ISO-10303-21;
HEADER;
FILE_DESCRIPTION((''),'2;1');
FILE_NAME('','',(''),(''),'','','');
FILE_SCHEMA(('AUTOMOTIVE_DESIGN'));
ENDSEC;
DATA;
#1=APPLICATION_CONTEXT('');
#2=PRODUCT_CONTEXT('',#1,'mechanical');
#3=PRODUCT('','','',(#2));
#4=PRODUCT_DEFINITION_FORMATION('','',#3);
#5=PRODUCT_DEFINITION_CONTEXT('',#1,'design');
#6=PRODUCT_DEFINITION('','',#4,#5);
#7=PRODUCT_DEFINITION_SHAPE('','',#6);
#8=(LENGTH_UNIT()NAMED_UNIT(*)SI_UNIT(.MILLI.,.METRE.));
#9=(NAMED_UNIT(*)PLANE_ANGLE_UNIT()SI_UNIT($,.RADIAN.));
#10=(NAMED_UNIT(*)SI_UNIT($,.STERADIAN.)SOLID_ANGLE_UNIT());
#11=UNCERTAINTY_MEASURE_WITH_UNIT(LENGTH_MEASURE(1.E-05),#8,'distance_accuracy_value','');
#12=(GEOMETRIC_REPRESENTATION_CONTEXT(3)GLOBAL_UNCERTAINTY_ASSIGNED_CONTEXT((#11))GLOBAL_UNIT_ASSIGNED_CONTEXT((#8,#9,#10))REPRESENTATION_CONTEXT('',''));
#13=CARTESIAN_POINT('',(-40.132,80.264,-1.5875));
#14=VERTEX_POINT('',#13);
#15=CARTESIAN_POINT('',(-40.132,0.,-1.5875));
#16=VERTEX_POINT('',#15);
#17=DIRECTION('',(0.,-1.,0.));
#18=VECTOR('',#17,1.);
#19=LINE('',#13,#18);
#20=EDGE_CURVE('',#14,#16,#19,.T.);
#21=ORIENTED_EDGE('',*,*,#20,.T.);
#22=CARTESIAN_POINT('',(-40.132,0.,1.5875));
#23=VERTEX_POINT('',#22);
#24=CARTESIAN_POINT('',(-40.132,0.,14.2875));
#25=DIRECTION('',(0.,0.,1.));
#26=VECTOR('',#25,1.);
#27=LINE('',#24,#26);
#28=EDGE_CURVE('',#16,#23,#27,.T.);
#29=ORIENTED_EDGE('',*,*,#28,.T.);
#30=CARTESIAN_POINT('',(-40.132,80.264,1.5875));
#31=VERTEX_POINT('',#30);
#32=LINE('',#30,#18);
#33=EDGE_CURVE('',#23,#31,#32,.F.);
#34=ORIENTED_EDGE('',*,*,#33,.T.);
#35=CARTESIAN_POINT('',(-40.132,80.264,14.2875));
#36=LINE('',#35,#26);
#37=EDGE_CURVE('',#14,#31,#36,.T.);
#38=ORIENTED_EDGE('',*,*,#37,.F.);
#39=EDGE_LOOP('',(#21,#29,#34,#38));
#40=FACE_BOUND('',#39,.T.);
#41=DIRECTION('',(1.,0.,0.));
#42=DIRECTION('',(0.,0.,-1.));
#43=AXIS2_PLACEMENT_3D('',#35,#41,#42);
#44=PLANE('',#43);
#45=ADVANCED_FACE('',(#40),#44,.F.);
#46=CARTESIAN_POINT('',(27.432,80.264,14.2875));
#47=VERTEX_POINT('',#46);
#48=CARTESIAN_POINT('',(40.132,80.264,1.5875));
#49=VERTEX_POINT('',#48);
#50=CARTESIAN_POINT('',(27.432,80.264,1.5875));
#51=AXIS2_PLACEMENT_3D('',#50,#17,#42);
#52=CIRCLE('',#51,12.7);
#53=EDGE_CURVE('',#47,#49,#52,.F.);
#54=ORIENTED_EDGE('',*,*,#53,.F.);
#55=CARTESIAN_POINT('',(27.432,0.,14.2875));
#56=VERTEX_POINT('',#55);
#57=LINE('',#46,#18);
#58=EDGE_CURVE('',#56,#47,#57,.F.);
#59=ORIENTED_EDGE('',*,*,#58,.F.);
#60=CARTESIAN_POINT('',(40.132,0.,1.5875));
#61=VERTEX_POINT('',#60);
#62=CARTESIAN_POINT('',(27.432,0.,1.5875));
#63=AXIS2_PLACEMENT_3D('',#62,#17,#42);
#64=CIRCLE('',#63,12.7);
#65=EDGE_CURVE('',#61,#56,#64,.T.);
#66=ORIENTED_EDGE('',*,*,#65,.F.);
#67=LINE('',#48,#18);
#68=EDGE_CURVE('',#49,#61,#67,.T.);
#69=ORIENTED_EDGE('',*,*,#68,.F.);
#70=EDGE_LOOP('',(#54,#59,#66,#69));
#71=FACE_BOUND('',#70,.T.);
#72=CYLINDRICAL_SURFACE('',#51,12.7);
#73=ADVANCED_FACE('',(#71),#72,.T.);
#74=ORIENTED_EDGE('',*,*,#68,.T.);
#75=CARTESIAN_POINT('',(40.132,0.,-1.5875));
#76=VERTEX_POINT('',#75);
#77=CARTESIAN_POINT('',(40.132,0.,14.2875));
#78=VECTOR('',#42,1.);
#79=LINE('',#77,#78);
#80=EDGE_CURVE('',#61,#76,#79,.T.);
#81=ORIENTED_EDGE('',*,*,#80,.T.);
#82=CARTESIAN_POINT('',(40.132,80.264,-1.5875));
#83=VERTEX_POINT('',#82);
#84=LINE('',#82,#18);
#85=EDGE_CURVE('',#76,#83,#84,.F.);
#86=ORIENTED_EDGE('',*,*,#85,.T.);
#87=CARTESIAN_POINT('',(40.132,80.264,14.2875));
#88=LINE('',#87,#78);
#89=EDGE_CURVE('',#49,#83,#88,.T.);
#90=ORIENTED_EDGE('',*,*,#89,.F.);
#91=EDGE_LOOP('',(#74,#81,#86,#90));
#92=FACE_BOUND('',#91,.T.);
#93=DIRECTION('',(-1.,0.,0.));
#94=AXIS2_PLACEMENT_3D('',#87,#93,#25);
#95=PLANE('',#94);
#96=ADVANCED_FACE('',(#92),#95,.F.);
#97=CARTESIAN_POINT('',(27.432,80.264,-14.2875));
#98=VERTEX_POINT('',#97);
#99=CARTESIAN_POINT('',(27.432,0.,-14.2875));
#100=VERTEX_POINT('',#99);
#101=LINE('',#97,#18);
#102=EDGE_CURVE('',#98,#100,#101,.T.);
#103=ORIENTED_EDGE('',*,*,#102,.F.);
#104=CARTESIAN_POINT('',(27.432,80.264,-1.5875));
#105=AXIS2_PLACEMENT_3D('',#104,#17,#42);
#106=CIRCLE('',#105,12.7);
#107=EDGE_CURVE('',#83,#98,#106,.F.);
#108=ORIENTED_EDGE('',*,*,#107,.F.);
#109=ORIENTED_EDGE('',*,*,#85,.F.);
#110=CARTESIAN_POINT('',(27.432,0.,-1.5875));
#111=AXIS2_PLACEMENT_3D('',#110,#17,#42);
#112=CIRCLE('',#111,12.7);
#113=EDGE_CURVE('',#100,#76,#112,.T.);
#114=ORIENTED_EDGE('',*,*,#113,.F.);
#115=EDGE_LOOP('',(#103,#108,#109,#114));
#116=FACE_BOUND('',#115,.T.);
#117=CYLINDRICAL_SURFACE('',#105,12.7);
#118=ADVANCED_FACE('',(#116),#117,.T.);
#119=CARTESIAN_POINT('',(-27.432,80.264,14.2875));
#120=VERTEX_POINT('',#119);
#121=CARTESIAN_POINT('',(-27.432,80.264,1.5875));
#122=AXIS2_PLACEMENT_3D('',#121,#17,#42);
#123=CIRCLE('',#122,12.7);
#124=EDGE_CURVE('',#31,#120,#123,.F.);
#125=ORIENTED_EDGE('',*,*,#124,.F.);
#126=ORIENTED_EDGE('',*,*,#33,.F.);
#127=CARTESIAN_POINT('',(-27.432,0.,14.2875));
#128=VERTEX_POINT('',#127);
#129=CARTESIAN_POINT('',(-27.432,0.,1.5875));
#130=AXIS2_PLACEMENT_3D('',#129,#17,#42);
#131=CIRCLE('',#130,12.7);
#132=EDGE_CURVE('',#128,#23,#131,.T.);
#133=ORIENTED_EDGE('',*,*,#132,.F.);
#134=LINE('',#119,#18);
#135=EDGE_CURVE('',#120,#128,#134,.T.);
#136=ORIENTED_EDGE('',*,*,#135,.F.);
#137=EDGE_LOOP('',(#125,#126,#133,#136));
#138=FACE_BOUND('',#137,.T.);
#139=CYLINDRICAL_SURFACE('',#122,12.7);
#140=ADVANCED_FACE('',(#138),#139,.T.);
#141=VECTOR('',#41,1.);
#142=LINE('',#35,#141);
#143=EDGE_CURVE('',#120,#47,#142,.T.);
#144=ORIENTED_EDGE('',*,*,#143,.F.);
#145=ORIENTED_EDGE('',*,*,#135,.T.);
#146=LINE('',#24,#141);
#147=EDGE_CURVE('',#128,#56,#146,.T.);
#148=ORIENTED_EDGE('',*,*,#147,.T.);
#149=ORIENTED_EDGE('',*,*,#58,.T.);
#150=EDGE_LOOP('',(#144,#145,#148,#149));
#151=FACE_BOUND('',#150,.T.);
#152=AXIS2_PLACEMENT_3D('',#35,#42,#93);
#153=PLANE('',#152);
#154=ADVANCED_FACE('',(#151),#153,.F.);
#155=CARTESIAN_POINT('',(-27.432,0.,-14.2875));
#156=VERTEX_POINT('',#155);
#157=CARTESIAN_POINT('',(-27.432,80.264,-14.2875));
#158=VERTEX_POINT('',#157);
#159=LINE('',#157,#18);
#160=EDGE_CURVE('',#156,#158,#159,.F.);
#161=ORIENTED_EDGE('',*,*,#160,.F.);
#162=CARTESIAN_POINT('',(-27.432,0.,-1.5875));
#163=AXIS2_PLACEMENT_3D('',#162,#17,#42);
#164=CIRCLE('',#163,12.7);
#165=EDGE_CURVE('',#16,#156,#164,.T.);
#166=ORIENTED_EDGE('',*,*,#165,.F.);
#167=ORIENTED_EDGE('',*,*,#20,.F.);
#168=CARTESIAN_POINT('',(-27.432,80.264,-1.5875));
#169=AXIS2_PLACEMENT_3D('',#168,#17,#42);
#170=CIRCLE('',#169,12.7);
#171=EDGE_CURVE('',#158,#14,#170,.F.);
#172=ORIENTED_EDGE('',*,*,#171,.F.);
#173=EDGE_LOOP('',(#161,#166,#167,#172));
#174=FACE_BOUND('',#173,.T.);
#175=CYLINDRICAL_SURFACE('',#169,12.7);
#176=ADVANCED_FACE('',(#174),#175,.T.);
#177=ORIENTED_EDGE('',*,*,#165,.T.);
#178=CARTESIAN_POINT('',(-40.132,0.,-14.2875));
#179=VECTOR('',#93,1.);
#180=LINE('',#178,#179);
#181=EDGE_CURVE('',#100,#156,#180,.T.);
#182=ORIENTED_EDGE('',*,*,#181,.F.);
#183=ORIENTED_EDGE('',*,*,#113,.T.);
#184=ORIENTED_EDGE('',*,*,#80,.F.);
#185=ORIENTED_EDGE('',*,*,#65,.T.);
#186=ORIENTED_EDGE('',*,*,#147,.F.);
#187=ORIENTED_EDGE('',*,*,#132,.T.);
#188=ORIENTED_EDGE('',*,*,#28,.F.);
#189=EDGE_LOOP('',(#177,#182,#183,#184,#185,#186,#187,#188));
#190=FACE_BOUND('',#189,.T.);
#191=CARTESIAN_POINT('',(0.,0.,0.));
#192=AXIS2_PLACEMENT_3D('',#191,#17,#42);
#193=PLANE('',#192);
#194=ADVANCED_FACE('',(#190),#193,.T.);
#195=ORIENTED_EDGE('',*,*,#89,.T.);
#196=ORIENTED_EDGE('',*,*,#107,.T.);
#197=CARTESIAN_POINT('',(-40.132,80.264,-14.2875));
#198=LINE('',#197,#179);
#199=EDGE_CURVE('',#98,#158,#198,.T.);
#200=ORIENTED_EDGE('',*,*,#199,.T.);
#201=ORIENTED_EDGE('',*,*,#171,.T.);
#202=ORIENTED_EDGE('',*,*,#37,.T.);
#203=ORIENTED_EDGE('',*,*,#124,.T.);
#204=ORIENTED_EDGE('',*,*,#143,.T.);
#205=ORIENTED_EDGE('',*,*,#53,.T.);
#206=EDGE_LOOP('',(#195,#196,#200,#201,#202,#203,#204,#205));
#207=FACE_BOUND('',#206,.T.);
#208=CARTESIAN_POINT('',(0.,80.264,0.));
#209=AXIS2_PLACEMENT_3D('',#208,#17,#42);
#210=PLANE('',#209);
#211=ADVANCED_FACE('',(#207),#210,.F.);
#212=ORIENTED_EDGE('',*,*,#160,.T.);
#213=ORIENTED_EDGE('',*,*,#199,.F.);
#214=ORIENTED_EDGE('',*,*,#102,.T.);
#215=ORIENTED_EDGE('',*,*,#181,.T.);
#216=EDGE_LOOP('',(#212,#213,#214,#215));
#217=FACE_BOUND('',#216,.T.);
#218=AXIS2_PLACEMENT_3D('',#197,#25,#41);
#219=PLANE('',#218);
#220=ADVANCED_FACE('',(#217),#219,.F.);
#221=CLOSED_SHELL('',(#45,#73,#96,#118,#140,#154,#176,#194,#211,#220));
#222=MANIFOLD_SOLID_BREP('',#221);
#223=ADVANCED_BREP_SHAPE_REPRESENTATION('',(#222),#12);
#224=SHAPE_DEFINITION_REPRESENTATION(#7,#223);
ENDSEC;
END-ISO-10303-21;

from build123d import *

# Parameters (mm, degrees)
SKETCH1_W           = 80.264
SKETCH1_H           = 28.575
BOSS_EXTRUDE1_DEPTH = 80.264
FILLET1_R           = 12.7


with BuildPart() as part:
    # Sketch1 → Boss-Extrude1 (new body)
    with BuildSketch(Plane(origin=(0, 0, 0), x_dir=(1, 0, 0), z_dir=(0, 1, 0))):
        Rectangle(SKETCH1_W, SKETCH1_H)
    extrude(amount=BOSS_EXTRUDE1_DEPTH)

    # Fillet1
    fillet1_edges = [part.edges().sort_by_distance(p)[0] for p in [
        (40.132, 40.132, 14.2875),
        (-40.132, 40.132, 14.2875),
        (-40.132, 40.132, -14.2875),
        (40.132, 40.132, -14.2875),
    ]]
    fillet(fillet1_edges, radius=FILLET1_R)


solid = part.part
